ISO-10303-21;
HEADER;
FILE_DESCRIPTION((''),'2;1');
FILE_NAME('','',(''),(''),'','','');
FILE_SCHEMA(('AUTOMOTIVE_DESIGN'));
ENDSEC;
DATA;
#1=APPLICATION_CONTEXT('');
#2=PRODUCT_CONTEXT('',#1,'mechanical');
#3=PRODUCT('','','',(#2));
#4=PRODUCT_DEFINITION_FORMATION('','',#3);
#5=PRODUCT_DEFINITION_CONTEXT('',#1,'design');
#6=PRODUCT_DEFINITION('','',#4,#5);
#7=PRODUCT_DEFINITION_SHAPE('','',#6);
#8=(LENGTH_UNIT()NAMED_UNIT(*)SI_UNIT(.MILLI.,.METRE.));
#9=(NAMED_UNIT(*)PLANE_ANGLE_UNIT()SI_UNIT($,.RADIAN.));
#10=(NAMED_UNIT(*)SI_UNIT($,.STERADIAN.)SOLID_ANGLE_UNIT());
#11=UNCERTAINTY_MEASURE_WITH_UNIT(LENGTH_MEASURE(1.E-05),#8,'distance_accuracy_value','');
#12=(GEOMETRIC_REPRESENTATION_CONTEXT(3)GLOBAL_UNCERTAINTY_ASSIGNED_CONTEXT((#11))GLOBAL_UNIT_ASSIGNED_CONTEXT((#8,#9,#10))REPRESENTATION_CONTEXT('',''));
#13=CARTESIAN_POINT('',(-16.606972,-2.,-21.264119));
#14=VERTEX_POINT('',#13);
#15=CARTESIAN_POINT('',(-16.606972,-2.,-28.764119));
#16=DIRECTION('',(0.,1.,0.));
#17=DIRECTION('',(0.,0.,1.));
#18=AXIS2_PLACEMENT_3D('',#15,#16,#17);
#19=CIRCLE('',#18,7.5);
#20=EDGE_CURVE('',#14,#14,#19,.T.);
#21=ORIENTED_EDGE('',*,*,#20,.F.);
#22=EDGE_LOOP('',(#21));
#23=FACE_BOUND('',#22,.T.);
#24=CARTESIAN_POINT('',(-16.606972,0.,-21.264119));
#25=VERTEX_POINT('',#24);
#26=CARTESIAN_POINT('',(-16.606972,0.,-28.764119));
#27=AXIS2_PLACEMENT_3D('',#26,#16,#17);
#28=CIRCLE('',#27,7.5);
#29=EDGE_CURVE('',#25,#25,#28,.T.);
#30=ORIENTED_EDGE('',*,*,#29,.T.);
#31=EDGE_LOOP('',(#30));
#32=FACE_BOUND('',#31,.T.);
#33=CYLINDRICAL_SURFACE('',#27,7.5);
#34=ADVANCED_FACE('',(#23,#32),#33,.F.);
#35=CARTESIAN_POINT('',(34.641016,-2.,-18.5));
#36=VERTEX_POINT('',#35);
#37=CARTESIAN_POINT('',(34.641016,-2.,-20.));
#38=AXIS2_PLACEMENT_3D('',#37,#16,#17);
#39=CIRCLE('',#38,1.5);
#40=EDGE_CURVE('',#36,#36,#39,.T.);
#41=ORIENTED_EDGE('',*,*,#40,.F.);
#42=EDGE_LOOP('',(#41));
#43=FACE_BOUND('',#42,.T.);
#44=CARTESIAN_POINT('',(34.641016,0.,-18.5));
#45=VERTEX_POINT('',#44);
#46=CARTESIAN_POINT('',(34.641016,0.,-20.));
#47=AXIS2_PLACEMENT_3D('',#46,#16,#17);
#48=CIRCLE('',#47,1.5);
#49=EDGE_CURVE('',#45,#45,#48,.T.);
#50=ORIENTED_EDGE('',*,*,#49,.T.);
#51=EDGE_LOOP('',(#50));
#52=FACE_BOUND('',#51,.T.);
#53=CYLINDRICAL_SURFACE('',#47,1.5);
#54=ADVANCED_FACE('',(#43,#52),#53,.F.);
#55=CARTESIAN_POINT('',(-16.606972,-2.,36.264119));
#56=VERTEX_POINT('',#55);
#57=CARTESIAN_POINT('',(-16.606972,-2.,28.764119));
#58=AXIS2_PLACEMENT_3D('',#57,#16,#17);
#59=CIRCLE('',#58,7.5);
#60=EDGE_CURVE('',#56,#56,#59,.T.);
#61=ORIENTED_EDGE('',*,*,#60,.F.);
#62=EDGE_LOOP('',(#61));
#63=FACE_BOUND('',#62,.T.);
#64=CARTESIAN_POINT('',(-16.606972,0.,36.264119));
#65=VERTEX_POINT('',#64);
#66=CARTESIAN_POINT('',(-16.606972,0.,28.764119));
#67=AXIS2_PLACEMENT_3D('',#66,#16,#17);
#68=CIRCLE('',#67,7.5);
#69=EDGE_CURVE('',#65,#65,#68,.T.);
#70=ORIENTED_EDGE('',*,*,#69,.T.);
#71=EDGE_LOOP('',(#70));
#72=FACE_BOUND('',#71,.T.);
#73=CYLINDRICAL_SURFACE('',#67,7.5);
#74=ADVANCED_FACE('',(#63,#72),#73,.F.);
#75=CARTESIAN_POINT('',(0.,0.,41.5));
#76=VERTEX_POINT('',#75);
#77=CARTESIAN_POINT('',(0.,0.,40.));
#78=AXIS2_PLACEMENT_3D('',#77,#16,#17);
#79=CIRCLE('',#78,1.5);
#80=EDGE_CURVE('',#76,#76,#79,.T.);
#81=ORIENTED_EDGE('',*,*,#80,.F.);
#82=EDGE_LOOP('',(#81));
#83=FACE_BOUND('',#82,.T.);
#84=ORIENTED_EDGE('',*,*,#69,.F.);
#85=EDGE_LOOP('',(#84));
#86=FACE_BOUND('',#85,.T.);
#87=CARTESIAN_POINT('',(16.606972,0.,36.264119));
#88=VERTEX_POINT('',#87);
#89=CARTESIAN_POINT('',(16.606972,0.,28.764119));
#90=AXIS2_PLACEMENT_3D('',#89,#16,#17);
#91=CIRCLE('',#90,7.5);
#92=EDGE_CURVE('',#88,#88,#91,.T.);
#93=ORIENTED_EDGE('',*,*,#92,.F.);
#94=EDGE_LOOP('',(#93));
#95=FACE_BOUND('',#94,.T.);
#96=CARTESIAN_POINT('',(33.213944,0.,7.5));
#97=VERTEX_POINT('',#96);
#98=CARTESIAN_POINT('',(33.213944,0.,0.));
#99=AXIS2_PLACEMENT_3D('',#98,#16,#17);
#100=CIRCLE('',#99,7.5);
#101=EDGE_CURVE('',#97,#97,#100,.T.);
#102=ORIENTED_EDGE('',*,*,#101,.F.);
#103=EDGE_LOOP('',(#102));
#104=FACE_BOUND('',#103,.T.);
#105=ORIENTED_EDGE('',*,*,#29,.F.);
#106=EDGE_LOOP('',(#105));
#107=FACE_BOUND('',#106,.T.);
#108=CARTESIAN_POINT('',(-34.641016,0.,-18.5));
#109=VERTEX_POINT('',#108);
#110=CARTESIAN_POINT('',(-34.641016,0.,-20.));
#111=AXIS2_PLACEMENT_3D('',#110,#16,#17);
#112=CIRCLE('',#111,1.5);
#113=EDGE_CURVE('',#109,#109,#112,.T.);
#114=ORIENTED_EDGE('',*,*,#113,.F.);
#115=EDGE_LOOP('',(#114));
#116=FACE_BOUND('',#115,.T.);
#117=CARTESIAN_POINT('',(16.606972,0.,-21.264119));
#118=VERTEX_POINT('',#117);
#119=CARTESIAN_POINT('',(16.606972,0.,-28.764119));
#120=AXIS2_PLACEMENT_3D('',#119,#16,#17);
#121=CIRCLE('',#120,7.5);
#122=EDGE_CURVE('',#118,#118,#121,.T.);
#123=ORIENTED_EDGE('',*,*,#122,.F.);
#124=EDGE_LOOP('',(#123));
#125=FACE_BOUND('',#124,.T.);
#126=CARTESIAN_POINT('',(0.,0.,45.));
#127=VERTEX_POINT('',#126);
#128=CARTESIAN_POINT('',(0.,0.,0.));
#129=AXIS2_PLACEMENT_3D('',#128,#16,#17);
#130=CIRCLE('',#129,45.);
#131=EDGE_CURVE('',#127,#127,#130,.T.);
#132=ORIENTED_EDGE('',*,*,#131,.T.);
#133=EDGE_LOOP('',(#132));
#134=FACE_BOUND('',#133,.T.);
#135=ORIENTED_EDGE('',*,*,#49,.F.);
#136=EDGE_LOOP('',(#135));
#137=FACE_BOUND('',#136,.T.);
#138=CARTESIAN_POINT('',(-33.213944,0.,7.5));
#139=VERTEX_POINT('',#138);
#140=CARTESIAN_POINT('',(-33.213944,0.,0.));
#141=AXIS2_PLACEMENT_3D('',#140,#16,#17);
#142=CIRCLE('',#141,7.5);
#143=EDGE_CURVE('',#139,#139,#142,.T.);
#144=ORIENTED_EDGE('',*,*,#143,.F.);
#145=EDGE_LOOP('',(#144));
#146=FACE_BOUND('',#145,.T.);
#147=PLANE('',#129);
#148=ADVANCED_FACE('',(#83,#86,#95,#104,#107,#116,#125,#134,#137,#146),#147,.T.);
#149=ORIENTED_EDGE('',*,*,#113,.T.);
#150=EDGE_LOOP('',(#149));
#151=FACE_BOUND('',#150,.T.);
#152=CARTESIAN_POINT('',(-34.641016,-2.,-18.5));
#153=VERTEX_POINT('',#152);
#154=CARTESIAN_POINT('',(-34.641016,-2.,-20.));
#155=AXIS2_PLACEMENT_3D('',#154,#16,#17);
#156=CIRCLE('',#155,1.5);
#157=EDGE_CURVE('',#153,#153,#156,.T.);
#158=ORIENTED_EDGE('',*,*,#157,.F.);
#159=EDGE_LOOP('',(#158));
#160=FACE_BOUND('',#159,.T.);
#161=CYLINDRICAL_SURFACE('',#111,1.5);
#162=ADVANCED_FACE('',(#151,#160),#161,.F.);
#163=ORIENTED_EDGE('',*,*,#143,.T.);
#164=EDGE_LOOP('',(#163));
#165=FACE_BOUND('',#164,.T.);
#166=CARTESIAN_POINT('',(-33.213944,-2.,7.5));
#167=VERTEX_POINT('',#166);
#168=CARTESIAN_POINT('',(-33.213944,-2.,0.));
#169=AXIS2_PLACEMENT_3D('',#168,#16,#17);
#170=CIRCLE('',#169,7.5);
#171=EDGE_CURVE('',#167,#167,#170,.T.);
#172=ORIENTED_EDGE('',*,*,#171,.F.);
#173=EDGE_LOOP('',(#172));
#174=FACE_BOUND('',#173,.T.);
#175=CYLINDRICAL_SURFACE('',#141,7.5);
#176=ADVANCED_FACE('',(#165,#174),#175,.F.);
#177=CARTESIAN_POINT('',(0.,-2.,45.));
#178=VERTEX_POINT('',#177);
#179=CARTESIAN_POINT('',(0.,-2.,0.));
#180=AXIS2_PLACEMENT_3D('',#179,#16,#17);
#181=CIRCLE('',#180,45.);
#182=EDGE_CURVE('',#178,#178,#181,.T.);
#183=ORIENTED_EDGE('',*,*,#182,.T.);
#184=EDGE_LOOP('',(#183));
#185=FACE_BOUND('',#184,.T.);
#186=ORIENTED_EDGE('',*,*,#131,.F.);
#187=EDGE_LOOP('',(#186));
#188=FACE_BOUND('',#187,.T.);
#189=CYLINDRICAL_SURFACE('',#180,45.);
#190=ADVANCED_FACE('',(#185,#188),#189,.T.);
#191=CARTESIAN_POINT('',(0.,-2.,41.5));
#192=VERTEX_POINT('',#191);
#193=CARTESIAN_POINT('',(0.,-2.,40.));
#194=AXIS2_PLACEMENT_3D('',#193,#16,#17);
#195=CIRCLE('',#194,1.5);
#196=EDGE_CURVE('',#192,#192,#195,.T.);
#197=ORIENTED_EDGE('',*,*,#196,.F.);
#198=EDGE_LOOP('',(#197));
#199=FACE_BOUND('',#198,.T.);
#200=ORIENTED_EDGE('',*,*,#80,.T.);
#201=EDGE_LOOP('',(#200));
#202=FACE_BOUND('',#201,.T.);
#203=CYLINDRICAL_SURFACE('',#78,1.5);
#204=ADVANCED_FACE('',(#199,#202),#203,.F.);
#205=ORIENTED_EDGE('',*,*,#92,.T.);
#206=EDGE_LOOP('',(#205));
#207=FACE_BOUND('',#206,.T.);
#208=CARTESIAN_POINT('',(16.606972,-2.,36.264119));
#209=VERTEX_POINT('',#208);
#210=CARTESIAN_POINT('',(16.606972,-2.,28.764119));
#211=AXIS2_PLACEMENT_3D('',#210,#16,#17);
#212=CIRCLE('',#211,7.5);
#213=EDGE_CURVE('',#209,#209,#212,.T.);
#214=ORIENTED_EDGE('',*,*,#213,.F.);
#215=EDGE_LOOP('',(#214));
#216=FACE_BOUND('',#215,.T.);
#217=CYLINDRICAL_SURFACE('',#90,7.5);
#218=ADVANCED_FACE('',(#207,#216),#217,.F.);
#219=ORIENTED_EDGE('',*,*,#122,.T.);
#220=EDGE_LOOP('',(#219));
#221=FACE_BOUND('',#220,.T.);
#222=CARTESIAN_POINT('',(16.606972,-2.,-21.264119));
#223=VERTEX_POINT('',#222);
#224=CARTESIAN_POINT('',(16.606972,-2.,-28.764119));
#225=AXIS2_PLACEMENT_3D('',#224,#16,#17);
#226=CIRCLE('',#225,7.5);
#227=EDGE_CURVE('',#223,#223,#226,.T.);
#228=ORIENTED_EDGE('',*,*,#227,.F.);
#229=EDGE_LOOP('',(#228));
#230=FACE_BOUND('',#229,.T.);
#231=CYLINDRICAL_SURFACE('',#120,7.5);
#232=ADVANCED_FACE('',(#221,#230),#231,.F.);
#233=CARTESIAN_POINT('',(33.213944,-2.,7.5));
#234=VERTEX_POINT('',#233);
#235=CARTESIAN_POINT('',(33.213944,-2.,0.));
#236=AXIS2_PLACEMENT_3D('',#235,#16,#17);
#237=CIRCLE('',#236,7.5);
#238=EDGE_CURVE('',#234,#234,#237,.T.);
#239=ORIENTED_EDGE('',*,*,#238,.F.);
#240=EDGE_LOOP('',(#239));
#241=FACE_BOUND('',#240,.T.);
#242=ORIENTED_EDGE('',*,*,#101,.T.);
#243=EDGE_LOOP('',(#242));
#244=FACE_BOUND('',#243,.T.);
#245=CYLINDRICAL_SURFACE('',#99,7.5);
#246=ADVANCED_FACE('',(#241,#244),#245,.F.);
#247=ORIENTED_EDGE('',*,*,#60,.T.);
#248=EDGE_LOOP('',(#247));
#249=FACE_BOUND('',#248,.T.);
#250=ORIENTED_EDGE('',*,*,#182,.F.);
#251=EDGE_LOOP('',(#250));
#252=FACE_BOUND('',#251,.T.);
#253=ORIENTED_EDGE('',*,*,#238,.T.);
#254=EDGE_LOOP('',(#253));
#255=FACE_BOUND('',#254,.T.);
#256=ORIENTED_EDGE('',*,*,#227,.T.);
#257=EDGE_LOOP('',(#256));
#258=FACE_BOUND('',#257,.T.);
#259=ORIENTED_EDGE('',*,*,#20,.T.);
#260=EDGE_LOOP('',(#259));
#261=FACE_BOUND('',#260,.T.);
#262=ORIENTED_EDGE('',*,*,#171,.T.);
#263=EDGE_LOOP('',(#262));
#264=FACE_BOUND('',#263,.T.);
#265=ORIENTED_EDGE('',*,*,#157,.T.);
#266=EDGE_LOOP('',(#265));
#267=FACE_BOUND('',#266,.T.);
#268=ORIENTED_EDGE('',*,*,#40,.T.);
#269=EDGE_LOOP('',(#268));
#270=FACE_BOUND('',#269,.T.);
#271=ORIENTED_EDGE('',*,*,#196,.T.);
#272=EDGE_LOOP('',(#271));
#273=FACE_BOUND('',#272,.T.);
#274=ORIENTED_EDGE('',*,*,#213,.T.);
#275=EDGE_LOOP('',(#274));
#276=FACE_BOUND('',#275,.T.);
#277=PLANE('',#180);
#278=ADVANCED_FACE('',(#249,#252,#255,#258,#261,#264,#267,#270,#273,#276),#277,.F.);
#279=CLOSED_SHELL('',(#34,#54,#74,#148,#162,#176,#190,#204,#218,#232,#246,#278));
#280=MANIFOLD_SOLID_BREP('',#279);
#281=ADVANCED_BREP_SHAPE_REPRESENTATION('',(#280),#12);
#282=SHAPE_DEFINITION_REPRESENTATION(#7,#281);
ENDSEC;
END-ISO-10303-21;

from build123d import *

# Parameters (mm, degrees)
SKETCH1_R                = 45
BOSS_EXTRUDE1_DEPTH      = 2
F_8_0MM_DOWEL_HOLE1_D    = 15
F_3_0_3_DIAMETER_HOLE1_D = 3


with BuildPart() as part:
    # Sketch1 → Boss-Extrude1 (new body)
    with BuildSketch(Plane(origin=(0, 0, 0), x_dir=(1, 0, 0), z_dir=(0, 1, 0))):
        with Locations(Location((0, 0, 0), (0, 0, 270))):
            Circle(SKETCH1_R)
    extrude(amount=-BOSS_EXTRUDE1_DEPTH)

    # Ø8.0mm Dowel Hole1 (through all)
    with Locations(Plane(origin=(0, 0, 0), x_dir=(1, 0, 0), z_dir=(0, 1, 0))):
        with Locations((-16.606971943, 28.764119165), (-16.606971943, -28.764119165), (33.213943886, 0), (16.606971943, 28.764119165), (16.606971943, -28.764119165), (-33.213943886, 0)):
            Hole(F_8_0MM_DOWEL_HOLE1_D / 2)

    # Ø3.0 (3) Diameter Hole1 (through all)
    with Locations(Plane(origin=(0, 0, 0), x_dir=(1, 0, 0), z_dir=(0, 1, 0))):
        with Locations((-34.641016151, 20), (0, -40), (34.641016151, 20)):
            Hole(F_3_0_3_DIAMETER_HOLE1_D / 2)


solid = part.part
